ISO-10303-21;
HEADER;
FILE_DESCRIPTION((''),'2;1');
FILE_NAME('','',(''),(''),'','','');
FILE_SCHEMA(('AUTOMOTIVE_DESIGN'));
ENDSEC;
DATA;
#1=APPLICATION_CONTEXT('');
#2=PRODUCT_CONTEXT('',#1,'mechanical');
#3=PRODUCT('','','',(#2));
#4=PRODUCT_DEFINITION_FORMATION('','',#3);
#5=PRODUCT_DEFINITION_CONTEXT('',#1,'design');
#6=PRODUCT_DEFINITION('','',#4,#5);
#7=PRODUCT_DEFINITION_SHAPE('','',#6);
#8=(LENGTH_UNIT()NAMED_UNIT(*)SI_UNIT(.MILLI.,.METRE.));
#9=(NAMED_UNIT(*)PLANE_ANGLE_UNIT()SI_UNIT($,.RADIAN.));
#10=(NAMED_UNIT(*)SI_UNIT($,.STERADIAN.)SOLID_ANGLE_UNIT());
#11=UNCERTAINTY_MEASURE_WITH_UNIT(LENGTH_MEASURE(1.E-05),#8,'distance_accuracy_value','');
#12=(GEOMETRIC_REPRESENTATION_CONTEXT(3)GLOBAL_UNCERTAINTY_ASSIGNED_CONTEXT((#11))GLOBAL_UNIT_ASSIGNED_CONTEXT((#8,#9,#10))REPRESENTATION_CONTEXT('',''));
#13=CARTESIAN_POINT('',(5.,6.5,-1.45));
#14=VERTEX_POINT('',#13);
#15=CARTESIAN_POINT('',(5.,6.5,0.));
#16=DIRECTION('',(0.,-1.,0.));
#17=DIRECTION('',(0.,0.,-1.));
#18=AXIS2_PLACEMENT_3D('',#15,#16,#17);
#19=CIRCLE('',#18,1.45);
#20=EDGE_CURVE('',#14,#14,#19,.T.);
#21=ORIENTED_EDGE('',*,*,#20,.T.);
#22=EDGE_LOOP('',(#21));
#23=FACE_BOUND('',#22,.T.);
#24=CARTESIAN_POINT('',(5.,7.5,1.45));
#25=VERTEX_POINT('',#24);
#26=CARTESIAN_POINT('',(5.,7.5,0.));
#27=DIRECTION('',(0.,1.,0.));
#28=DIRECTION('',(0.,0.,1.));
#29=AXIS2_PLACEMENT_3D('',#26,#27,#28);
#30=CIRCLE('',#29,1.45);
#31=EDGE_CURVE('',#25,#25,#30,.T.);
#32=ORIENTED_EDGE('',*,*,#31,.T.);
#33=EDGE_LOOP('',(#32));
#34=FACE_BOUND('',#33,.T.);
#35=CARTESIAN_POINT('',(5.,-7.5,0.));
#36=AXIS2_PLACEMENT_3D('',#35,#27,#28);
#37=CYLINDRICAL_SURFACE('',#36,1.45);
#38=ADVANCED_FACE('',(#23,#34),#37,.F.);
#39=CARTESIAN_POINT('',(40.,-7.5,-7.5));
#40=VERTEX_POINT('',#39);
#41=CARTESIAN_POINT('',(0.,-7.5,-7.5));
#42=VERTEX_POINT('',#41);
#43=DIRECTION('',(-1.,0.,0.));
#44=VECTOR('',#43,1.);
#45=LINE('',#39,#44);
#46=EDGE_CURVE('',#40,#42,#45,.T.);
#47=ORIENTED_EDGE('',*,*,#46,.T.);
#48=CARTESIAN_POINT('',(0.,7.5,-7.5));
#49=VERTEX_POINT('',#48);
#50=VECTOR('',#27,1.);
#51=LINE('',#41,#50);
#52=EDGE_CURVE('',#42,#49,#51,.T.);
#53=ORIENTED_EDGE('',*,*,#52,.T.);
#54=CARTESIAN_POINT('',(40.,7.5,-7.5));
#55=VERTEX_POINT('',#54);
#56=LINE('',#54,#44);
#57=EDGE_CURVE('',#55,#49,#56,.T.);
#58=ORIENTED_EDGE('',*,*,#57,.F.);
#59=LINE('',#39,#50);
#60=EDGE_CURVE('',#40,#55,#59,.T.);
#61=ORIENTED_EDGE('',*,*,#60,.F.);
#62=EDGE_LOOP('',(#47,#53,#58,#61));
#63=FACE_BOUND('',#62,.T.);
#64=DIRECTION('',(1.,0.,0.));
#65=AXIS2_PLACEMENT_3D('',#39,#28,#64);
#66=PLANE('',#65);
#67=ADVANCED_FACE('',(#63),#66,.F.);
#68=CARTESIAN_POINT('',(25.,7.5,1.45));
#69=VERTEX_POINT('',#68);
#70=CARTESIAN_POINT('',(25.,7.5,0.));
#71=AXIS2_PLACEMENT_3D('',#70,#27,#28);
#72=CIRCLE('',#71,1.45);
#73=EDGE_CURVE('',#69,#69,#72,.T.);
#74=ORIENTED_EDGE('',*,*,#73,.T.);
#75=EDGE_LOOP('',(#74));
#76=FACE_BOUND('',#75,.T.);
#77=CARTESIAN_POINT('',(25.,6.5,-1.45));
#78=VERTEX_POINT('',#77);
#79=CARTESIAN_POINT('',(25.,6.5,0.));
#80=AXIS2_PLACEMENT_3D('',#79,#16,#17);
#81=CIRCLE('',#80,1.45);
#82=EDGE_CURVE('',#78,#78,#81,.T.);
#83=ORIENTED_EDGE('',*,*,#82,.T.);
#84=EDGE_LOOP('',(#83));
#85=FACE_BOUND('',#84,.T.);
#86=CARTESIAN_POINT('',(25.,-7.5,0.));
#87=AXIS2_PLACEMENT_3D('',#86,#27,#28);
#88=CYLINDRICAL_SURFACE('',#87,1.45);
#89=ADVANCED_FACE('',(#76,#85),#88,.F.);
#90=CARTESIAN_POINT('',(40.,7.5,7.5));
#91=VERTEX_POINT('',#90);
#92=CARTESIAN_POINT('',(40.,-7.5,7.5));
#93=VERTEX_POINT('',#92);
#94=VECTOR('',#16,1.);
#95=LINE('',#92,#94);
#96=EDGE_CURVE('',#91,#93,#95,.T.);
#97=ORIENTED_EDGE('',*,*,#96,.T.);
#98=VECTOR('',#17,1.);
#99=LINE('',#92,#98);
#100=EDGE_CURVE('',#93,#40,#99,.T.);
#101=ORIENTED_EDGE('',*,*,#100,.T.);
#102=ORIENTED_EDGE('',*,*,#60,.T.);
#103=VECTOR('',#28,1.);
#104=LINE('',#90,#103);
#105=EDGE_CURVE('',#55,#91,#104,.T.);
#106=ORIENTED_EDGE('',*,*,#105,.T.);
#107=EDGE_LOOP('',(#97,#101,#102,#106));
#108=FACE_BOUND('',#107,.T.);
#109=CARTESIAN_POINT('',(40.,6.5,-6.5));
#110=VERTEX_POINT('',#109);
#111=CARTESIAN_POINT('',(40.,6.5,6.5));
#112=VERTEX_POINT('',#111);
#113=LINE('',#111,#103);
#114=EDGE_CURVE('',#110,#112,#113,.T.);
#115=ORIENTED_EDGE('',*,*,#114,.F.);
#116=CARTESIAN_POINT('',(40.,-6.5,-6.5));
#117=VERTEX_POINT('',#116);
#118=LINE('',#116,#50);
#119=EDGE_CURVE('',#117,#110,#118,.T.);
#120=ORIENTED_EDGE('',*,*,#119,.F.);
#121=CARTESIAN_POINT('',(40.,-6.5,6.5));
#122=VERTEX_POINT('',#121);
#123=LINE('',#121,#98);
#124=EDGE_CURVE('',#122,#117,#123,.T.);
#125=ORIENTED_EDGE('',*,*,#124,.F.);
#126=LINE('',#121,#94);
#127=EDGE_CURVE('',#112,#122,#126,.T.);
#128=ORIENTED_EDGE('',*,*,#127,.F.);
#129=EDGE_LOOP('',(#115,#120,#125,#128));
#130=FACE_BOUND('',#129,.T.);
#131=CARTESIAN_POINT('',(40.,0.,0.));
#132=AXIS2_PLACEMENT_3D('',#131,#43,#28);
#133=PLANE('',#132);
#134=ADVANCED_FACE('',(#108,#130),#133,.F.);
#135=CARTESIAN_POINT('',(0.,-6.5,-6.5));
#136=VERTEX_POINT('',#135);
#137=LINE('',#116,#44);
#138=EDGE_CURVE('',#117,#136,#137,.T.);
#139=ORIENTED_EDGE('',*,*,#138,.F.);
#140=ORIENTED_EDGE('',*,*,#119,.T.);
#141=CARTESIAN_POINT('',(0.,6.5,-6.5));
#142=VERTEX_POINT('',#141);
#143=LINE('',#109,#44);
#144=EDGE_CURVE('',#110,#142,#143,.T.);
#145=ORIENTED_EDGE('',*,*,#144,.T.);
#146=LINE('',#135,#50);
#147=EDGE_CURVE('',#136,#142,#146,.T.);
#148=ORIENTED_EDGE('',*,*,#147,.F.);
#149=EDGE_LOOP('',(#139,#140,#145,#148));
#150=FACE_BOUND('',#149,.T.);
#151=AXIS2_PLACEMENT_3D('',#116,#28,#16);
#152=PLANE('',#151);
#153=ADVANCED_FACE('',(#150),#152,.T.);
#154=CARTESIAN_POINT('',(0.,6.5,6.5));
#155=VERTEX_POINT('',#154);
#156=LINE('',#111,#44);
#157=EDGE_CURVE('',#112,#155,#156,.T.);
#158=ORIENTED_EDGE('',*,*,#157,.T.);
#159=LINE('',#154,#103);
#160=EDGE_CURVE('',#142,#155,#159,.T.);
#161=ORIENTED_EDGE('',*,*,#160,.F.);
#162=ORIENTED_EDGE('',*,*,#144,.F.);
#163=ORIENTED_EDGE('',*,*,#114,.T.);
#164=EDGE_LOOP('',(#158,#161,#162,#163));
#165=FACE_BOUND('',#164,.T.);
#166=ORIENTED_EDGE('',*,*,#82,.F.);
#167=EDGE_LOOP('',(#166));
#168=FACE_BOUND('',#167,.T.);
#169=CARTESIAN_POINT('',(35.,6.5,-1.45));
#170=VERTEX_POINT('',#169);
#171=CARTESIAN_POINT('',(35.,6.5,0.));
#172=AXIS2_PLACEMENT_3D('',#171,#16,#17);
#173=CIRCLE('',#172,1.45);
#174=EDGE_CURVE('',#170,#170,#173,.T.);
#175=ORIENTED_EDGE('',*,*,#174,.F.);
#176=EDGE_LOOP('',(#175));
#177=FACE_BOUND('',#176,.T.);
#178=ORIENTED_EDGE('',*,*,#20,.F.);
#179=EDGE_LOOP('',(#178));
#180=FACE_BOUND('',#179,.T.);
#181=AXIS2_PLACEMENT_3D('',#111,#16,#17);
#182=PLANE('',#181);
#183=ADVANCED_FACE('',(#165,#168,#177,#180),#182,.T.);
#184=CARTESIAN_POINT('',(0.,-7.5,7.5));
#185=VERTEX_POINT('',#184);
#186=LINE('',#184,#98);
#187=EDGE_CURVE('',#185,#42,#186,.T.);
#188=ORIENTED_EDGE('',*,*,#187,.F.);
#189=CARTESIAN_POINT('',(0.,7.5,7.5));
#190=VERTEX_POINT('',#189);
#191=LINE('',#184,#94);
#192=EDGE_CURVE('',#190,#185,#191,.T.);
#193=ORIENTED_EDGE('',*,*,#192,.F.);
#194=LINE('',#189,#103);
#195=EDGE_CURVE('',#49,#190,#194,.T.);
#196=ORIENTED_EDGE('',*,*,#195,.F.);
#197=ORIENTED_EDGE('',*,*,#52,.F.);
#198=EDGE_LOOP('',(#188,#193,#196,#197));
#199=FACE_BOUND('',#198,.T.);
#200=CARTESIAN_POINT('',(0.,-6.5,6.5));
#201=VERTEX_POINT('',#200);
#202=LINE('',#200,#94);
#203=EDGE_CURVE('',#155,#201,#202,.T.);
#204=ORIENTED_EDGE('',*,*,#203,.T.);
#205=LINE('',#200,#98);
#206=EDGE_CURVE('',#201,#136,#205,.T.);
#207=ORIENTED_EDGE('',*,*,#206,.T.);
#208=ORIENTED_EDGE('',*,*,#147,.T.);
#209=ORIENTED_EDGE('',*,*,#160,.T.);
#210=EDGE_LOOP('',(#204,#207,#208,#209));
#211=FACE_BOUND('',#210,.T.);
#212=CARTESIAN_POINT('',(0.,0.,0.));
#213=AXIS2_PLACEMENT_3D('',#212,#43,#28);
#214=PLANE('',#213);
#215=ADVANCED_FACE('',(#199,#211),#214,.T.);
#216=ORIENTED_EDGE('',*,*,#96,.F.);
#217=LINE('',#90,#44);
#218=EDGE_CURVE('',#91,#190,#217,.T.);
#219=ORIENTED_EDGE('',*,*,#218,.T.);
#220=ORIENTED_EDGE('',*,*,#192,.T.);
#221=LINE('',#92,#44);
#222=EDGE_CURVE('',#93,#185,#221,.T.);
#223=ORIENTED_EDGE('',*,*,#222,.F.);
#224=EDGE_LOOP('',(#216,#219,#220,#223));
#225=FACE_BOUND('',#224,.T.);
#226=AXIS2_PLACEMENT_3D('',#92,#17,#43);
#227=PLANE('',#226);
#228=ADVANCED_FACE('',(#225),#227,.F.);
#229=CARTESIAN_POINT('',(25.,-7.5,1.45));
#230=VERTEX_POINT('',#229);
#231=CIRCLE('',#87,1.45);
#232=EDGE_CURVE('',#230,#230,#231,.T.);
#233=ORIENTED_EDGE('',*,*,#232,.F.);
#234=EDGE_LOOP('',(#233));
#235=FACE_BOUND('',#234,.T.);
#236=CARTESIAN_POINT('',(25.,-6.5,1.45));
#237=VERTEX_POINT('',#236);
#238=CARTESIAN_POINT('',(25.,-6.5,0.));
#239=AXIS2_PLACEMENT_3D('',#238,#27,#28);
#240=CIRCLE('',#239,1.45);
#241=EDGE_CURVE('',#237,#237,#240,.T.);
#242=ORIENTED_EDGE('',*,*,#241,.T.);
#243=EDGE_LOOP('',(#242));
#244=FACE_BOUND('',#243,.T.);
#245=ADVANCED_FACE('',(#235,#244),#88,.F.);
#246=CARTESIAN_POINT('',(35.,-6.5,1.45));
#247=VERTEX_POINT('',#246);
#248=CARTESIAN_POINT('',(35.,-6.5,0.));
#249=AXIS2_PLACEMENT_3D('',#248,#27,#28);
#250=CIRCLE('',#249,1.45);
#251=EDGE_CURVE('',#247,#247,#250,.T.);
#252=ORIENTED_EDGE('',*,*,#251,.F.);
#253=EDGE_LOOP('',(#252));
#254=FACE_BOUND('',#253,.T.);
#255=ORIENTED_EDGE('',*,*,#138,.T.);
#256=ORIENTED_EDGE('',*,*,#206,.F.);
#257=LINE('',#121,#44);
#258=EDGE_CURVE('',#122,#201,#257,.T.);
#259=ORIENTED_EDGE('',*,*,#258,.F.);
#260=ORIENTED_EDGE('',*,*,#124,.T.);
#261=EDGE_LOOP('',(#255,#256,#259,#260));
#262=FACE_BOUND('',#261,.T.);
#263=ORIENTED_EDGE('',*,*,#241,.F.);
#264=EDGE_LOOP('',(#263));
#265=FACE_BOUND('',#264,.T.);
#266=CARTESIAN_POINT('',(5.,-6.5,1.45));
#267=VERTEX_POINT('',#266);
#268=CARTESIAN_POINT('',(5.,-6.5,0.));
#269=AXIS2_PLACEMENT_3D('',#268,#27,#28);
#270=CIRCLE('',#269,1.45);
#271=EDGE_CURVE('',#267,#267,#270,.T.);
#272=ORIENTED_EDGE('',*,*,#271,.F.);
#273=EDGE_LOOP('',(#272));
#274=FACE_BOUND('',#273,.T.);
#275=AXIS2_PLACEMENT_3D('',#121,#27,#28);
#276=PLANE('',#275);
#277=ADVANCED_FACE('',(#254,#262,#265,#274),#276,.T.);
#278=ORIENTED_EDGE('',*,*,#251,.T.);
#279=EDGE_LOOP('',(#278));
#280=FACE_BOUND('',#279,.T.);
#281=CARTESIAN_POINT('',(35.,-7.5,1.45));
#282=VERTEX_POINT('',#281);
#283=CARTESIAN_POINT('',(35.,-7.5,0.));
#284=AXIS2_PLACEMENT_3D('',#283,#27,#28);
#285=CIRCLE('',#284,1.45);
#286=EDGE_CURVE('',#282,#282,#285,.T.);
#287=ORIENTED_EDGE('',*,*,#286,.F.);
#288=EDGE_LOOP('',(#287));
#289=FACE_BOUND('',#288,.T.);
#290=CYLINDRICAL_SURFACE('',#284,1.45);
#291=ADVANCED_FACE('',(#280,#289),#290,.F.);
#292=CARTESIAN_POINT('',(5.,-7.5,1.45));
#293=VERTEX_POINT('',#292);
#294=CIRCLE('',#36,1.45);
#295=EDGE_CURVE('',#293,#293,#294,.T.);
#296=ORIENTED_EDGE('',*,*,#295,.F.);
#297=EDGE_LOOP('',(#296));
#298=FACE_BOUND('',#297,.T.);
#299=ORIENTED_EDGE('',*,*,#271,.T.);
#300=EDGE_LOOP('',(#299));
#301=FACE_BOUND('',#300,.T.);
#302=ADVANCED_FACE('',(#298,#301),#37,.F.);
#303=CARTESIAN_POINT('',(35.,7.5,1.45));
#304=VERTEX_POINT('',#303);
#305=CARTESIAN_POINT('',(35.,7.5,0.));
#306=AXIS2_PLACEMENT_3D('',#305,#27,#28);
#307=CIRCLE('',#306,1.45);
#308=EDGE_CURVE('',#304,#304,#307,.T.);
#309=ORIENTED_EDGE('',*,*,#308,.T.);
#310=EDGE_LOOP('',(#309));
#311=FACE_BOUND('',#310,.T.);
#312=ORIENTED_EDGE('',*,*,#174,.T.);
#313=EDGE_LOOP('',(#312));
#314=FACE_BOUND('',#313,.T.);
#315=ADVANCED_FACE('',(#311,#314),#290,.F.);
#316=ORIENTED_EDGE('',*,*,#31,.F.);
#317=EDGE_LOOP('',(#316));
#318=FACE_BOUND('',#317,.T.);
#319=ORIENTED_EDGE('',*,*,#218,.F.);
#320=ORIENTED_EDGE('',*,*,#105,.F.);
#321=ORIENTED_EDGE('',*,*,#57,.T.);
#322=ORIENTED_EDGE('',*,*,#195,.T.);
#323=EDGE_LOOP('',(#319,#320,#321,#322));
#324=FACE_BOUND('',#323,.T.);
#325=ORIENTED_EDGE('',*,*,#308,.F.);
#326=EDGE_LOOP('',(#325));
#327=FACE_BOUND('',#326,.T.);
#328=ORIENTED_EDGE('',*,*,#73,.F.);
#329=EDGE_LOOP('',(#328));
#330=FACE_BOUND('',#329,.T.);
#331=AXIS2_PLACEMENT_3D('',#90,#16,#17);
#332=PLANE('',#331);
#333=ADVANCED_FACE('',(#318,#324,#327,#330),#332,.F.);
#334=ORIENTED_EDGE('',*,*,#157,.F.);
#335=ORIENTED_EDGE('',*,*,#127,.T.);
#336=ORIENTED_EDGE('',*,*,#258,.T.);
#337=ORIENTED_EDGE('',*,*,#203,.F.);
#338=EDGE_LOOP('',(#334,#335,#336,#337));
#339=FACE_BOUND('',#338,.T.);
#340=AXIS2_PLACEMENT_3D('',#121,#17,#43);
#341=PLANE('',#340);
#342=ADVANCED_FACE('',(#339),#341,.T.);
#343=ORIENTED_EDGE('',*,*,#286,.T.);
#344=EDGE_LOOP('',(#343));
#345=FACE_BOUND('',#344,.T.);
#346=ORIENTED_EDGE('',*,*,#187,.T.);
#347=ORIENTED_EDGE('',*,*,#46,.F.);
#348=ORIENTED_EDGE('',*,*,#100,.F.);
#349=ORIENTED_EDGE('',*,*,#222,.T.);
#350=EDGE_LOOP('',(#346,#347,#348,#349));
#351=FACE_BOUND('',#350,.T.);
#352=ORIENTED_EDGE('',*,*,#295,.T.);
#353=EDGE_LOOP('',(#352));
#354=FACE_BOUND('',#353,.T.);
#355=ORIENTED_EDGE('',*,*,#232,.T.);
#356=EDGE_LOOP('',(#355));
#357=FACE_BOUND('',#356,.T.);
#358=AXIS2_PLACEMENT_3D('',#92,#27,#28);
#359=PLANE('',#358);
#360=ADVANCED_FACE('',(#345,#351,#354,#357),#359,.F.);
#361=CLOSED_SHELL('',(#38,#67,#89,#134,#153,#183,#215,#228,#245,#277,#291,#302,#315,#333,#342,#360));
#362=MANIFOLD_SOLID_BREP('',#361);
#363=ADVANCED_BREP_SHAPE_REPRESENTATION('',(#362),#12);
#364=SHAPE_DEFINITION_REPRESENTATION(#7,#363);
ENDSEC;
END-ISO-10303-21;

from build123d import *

# Parameters (mm, degrees)
SKETCH_1_W          = 15
SKETCH_1_H          = 15
SKETCH_1_W_2        = 13
SKETCH_1_H_2        = 13
EXTRUDE_1_DEPTH     = 40
SKETCH_2_R          = 1.45
CUT_EXTRUDE_1_DEPTH = 44.373378932


with BuildPart() as part:
    # 草图1 → 凸台-拉伸1 (new body)
    with BuildSketch(Plane(origin=(0, 0, 0), x_dir=(0, 0, -1), z_dir=(1, 0, 0))):
        Rectangle(SKETCH_1_W, SKETCH_1_H)
        Rectangle(SKETCH_1_W_2, SKETCH_1_H_2, mode=Mode.SUBTRACT)
    extrude(amount=EXTRUDE_1_DEPTH)

    # 草图2 → 切除-拉伸1 (cut, through all)
    with BuildSketch(Plane(origin=(0, 7.5, 0), x_dir=(1, 0, 0), z_dir=(0, 1, 0))):
        with Locations(Location((5, 0, 0), (0, 0, 270))):
            Circle(SKETCH_2_R)
        with Locations(Location((25, 0, 0), (0, 0, 270))):
            Circle(SKETCH_2_R)
        with Locations(Location((35, 0, 0), (0, 0, 270))):
            Circle(SKETCH_2_R)
    extrude(amount=-CUT_EXTRUDE_1_DEPTH, mode=Mode.SUBTRACT)


solid = part.part
